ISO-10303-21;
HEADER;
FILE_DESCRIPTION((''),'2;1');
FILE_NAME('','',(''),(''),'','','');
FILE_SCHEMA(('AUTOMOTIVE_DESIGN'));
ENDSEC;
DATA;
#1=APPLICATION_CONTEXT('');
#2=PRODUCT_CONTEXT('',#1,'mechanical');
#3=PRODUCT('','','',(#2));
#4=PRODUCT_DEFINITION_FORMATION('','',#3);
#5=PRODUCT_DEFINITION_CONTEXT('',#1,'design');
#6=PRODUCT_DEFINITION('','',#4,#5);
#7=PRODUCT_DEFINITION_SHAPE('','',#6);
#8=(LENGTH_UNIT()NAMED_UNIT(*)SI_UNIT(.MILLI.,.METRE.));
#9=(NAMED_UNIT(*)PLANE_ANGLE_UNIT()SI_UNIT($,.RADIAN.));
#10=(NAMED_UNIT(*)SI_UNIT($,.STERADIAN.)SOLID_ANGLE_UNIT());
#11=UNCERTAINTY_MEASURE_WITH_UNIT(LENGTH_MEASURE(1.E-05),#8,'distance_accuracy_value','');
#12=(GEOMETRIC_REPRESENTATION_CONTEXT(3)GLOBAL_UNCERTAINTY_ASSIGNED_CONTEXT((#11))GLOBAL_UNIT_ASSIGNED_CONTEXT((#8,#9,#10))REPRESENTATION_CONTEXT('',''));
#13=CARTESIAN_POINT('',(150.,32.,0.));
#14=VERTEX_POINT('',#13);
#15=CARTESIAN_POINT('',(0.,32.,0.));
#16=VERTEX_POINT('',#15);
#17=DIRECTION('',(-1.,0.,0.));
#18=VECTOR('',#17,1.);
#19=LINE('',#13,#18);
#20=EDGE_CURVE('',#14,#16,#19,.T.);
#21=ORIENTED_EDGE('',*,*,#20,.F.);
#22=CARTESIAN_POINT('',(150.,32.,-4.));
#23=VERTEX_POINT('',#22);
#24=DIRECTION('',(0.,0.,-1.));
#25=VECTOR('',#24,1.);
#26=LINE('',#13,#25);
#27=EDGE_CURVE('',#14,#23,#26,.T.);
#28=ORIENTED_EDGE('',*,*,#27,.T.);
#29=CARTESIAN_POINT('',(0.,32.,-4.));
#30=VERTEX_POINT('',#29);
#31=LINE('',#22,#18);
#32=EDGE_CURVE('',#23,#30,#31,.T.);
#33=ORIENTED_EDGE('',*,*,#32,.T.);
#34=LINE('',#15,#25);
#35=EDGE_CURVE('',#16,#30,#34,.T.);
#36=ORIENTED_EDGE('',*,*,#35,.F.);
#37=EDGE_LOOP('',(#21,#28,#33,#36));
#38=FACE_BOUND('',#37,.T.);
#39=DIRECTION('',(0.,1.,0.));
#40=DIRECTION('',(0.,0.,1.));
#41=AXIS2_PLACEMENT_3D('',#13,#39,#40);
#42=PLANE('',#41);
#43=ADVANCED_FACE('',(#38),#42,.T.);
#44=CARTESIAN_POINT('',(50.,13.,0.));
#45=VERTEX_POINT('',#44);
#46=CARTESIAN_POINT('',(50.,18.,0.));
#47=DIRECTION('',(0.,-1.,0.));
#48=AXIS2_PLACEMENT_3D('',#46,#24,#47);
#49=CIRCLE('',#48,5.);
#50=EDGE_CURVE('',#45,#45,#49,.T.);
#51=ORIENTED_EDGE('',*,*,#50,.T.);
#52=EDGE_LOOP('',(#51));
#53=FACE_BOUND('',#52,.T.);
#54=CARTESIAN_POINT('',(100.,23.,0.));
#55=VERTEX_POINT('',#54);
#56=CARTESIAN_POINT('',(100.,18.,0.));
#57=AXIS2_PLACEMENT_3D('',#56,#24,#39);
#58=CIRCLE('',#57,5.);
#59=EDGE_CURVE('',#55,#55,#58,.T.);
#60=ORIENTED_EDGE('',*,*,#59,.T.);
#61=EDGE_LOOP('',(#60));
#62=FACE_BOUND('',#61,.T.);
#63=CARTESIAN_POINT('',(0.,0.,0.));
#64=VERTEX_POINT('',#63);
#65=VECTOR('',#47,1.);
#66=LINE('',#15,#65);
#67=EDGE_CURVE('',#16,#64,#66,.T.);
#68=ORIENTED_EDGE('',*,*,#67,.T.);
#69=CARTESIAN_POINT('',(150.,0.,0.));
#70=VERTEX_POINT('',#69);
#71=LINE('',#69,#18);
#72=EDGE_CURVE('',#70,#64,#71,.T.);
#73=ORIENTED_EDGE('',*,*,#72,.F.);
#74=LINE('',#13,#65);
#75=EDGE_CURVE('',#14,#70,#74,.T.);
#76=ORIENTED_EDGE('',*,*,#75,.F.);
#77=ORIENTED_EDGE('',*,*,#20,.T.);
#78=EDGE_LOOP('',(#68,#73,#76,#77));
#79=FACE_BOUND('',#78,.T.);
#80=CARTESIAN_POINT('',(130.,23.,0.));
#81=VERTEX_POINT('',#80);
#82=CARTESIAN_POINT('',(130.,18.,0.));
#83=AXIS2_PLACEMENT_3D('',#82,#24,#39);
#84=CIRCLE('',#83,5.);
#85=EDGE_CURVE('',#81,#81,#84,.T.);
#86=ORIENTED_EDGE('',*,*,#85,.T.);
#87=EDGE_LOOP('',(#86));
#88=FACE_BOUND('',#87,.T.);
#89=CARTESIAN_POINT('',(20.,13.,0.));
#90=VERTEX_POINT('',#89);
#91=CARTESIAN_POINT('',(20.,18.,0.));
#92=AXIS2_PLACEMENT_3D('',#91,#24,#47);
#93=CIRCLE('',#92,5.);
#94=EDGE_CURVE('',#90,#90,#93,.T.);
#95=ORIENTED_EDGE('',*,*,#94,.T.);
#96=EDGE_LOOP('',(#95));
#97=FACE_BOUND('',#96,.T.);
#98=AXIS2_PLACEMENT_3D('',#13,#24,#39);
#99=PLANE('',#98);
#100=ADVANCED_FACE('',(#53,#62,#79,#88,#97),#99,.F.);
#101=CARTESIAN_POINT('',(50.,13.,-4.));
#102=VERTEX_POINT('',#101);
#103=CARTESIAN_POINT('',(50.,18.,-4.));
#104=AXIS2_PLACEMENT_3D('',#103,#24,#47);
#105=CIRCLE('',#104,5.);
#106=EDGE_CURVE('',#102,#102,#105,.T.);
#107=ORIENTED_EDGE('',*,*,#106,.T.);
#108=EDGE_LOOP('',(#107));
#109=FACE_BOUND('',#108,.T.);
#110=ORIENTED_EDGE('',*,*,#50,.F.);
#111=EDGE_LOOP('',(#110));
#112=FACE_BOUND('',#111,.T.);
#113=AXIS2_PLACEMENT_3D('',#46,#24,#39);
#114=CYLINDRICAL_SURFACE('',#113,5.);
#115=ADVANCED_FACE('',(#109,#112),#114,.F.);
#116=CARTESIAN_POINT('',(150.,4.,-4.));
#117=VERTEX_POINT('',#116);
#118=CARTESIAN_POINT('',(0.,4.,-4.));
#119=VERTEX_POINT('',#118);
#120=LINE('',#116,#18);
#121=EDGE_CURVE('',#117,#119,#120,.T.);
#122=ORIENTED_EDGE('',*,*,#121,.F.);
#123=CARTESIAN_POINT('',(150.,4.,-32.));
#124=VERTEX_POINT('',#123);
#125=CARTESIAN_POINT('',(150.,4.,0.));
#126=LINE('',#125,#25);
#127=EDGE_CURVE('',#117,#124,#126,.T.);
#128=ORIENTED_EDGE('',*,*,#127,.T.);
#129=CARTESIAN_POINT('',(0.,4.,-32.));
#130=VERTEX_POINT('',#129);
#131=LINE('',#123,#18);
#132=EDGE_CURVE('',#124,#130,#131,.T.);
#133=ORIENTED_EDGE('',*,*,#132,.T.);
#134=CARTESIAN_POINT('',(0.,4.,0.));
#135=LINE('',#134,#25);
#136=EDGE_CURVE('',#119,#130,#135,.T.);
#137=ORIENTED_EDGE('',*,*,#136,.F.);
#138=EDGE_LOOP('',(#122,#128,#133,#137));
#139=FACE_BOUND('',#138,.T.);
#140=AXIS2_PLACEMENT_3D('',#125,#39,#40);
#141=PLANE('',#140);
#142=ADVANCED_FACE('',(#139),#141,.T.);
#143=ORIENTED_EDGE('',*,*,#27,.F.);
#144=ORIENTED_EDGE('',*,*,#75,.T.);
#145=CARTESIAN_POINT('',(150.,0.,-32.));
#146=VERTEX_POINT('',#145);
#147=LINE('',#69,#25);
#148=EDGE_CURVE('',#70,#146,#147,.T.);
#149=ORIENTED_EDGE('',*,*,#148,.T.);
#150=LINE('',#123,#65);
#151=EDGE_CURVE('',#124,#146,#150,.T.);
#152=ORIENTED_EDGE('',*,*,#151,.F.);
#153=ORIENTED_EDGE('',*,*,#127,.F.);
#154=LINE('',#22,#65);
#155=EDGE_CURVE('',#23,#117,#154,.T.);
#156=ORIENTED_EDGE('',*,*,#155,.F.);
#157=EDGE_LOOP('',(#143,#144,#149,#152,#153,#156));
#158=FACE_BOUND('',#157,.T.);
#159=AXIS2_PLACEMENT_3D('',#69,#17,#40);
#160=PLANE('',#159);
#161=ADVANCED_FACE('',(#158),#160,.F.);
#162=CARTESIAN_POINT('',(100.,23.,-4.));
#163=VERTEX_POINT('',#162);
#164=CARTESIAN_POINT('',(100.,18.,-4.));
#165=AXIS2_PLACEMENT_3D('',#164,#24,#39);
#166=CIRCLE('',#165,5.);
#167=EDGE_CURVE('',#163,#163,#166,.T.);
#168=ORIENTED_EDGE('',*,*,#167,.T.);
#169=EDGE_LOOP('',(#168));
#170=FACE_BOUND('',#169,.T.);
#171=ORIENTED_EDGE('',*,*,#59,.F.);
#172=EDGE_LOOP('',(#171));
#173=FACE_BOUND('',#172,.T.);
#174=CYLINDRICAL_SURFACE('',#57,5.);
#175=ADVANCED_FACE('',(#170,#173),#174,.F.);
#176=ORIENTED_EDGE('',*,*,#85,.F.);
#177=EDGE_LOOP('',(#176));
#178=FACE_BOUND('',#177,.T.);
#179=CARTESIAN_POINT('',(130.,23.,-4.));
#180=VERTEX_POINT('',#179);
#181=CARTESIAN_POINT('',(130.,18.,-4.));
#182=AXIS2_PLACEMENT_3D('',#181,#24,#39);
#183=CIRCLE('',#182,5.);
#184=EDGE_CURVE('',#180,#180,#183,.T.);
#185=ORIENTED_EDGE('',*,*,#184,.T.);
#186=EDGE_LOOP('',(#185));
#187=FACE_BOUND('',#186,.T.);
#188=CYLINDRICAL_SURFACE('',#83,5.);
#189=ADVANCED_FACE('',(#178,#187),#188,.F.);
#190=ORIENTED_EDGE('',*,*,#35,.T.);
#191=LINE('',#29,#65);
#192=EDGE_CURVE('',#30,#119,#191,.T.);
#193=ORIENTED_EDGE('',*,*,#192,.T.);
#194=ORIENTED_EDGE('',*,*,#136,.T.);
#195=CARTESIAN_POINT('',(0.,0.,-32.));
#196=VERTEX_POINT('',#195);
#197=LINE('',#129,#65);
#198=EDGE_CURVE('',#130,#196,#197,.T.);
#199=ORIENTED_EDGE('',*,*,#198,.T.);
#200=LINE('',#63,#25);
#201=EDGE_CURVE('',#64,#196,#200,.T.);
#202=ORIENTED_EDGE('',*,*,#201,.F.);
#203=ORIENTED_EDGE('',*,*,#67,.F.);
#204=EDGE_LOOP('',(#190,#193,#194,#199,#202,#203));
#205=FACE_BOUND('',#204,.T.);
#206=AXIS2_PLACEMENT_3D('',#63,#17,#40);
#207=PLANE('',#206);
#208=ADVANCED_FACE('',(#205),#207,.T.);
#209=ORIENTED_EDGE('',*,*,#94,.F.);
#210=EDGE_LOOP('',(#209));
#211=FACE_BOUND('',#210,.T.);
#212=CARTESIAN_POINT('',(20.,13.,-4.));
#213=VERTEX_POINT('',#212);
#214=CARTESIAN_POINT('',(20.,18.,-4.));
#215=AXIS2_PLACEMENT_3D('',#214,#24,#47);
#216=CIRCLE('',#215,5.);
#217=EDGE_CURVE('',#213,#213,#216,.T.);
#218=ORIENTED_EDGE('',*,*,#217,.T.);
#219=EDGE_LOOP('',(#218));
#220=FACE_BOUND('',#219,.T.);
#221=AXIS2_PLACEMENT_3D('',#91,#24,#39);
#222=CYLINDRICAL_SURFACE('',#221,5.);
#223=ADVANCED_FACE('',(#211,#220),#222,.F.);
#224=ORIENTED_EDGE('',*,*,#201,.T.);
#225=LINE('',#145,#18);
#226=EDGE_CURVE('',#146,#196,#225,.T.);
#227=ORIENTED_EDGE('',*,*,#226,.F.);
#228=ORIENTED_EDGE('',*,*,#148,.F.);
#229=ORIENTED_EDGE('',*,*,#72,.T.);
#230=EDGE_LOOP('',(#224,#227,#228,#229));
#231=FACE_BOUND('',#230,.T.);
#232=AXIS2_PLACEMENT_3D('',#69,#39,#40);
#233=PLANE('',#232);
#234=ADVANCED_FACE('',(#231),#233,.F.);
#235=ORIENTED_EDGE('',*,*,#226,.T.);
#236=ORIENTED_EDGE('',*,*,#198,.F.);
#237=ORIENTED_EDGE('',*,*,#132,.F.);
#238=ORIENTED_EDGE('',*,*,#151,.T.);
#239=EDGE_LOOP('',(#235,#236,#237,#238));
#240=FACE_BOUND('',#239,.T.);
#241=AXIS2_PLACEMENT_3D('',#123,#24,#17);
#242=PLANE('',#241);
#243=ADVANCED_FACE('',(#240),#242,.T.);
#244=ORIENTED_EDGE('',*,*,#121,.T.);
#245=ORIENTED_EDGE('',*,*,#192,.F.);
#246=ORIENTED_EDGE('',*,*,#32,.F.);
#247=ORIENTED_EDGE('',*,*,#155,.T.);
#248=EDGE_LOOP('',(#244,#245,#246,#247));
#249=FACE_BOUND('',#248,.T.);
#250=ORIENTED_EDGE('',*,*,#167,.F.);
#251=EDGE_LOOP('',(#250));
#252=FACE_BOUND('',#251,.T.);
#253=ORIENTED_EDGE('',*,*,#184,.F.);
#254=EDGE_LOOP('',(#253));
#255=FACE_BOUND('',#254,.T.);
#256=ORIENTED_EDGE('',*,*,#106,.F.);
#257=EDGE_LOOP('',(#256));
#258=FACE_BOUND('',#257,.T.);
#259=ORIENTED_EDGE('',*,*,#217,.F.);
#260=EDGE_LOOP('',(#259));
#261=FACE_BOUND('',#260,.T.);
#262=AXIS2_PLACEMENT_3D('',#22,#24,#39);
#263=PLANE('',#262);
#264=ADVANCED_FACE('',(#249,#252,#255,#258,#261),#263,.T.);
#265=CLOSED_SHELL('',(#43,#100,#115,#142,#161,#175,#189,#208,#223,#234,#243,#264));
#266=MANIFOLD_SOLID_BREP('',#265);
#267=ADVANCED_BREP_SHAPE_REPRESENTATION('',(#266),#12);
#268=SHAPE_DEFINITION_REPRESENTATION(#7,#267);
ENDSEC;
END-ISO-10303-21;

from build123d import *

# Parameters (mm, degrees)
EXTRUDE_1_DEPTH     = 150
SKETCH_2_R          = 5
CUT_EXTRUDE_1_DEPTH = 5


with BuildPart() as part:
    # Эскиз1 → Вытянуть-Тонкостенный1 (new body)
    with BuildSketch(Plane(origin=(0, 0, 0), x_dir=(0, 0, -1), z_dir=(1, 0, 0))):
        Polygon((0, 32), (0, 0), (32, 0), (32, 4), (4, 4), (4, 32), align=None)
    extrude(amount=EXTRUDE_1_DEPTH)

    # Эскиз2 → Вырез-Вытянуть1 (cut, through all)
    with BuildSketch(Plane(origin=(0, 0, -4), x_dir=(-1, 0, 0), z_dir=(0, 0, -1))):
        with Locations((-130, 18)):
            Circle(SKETCH_2_R)
        with Locations((-100, 18)):
            Circle(SKETCH_2_R)
        with Locations((-50, 18)):
            Circle(SKETCH_2_R)
        with Locations((-20, 18)):
            Circle(SKETCH_2_R)
    extrude(amount=-CUT_EXTRUDE_1_DEPTH, mode=Mode.SUBTRACT)


solid = part.part
